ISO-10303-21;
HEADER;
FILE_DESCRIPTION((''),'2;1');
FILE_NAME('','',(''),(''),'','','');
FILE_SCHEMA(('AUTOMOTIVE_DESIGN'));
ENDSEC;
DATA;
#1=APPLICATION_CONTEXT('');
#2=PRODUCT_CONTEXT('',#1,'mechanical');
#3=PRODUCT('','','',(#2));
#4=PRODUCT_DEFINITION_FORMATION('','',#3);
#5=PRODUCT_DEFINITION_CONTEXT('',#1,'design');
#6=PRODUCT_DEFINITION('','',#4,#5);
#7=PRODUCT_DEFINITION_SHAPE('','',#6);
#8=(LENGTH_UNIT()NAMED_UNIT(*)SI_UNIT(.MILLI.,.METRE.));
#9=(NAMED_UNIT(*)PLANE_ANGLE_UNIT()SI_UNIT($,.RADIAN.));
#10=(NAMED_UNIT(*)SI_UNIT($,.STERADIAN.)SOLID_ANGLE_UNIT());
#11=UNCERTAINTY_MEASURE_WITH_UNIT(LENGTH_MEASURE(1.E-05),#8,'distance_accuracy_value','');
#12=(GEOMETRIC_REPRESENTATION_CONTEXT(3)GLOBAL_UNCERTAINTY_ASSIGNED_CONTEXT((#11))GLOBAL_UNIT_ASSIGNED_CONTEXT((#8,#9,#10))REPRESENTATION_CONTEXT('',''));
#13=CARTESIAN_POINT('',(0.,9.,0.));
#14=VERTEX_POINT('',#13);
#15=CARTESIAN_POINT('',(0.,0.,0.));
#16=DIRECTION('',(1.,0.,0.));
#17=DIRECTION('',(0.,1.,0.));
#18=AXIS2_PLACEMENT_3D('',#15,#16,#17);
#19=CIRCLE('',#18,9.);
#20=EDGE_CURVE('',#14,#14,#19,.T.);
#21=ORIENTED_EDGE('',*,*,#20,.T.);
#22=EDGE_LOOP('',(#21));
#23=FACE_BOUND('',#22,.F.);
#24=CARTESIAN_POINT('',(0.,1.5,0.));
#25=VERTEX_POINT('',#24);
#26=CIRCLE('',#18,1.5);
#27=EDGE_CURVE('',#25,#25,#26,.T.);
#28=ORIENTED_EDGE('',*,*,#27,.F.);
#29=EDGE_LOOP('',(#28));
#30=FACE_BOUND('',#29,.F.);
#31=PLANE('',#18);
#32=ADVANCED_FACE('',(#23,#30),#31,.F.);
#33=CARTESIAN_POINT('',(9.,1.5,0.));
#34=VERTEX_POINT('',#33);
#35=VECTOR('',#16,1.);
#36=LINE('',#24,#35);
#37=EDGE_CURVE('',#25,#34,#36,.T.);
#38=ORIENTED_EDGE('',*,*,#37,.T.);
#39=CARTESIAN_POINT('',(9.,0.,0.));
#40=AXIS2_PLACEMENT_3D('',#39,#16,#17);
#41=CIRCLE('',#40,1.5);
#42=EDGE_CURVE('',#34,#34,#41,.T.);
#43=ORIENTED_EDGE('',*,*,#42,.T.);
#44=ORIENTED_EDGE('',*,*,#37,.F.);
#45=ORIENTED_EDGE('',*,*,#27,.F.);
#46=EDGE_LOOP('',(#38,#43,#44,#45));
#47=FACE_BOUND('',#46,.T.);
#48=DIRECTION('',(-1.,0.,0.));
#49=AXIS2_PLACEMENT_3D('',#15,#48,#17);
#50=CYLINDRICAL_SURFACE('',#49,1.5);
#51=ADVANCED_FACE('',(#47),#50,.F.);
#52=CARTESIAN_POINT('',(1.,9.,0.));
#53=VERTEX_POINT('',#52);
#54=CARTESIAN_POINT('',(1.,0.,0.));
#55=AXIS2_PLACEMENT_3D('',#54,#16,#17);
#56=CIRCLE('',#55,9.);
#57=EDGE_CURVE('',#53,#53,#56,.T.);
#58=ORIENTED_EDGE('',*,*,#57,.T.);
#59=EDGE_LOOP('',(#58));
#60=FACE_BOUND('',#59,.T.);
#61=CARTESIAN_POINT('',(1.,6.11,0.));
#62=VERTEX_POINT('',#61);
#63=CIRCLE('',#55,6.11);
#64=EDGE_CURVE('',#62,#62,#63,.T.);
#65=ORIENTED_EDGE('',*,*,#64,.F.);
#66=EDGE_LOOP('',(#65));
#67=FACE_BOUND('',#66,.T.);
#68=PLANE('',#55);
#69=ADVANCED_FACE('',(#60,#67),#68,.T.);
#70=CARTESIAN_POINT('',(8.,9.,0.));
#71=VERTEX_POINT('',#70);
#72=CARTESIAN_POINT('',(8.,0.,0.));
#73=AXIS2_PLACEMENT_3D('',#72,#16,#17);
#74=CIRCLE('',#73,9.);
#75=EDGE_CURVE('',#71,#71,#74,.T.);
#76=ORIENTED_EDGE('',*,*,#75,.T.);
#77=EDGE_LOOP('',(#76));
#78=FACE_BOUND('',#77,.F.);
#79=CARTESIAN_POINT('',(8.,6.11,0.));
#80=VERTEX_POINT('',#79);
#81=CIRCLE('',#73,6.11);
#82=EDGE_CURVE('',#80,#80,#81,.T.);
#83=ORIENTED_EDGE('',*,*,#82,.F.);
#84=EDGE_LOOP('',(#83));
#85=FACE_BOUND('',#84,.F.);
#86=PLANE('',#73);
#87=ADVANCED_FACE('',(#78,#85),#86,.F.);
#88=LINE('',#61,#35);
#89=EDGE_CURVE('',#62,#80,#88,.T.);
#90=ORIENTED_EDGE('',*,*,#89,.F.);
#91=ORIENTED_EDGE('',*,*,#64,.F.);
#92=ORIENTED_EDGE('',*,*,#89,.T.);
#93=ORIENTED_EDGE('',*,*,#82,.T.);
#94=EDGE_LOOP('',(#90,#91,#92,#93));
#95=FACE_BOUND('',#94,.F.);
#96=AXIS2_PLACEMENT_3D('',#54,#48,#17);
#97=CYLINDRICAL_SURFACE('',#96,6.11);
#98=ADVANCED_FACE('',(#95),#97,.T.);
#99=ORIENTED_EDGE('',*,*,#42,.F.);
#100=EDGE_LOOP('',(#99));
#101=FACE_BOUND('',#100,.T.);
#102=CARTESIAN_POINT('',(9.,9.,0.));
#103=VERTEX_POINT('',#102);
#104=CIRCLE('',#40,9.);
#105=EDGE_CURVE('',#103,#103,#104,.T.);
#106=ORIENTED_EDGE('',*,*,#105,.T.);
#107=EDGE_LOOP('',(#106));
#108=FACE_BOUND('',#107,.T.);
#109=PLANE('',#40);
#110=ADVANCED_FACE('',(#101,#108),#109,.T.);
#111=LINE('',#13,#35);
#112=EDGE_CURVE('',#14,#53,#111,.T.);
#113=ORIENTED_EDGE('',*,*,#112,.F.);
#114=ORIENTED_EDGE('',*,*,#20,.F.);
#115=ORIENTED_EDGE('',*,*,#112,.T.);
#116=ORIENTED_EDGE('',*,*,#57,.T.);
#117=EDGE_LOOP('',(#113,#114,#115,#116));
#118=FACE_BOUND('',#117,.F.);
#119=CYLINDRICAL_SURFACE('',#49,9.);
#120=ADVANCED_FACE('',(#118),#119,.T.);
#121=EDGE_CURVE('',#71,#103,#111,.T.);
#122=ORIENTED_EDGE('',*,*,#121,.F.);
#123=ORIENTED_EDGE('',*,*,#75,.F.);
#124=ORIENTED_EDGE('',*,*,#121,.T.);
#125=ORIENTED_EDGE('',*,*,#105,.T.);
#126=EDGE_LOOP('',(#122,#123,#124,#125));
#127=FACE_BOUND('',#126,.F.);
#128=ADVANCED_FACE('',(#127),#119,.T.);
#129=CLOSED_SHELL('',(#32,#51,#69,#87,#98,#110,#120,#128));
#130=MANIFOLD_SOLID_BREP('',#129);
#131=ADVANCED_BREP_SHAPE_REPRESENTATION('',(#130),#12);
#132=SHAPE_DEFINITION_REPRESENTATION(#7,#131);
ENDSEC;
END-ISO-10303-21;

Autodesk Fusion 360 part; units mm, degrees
sketch "Sketch1" plane through (0, 0, 0) normal (1, 0, 0) x (0, 1, 0)
  circle A0 centre (0, 0) radius 6.11
  circle A1 centre (0, 0) radius 9
  circle A2 centre (0, 0) radius 1.5
  circle A3 centre (0, 0) radius 6.365 construction
  dimension "d1" = 3
  dimension "d2" = 12.22
  dimension "d3" = 18
  dimension "d11" = 12.73
extrude "Extrude1" add sketch "Sketch1" along normal blind 9 contours A0 | A1
extrude "Extrude2" cut sketch "Sketch1" along normal blind 7 from surface at 1 contours A1
equation "d2 = outside_dia"
equation "pitch_dia = 12.73 mm"
equation "outside_dia = 12.22 mm"
equation "d11 = pitch_dia"
